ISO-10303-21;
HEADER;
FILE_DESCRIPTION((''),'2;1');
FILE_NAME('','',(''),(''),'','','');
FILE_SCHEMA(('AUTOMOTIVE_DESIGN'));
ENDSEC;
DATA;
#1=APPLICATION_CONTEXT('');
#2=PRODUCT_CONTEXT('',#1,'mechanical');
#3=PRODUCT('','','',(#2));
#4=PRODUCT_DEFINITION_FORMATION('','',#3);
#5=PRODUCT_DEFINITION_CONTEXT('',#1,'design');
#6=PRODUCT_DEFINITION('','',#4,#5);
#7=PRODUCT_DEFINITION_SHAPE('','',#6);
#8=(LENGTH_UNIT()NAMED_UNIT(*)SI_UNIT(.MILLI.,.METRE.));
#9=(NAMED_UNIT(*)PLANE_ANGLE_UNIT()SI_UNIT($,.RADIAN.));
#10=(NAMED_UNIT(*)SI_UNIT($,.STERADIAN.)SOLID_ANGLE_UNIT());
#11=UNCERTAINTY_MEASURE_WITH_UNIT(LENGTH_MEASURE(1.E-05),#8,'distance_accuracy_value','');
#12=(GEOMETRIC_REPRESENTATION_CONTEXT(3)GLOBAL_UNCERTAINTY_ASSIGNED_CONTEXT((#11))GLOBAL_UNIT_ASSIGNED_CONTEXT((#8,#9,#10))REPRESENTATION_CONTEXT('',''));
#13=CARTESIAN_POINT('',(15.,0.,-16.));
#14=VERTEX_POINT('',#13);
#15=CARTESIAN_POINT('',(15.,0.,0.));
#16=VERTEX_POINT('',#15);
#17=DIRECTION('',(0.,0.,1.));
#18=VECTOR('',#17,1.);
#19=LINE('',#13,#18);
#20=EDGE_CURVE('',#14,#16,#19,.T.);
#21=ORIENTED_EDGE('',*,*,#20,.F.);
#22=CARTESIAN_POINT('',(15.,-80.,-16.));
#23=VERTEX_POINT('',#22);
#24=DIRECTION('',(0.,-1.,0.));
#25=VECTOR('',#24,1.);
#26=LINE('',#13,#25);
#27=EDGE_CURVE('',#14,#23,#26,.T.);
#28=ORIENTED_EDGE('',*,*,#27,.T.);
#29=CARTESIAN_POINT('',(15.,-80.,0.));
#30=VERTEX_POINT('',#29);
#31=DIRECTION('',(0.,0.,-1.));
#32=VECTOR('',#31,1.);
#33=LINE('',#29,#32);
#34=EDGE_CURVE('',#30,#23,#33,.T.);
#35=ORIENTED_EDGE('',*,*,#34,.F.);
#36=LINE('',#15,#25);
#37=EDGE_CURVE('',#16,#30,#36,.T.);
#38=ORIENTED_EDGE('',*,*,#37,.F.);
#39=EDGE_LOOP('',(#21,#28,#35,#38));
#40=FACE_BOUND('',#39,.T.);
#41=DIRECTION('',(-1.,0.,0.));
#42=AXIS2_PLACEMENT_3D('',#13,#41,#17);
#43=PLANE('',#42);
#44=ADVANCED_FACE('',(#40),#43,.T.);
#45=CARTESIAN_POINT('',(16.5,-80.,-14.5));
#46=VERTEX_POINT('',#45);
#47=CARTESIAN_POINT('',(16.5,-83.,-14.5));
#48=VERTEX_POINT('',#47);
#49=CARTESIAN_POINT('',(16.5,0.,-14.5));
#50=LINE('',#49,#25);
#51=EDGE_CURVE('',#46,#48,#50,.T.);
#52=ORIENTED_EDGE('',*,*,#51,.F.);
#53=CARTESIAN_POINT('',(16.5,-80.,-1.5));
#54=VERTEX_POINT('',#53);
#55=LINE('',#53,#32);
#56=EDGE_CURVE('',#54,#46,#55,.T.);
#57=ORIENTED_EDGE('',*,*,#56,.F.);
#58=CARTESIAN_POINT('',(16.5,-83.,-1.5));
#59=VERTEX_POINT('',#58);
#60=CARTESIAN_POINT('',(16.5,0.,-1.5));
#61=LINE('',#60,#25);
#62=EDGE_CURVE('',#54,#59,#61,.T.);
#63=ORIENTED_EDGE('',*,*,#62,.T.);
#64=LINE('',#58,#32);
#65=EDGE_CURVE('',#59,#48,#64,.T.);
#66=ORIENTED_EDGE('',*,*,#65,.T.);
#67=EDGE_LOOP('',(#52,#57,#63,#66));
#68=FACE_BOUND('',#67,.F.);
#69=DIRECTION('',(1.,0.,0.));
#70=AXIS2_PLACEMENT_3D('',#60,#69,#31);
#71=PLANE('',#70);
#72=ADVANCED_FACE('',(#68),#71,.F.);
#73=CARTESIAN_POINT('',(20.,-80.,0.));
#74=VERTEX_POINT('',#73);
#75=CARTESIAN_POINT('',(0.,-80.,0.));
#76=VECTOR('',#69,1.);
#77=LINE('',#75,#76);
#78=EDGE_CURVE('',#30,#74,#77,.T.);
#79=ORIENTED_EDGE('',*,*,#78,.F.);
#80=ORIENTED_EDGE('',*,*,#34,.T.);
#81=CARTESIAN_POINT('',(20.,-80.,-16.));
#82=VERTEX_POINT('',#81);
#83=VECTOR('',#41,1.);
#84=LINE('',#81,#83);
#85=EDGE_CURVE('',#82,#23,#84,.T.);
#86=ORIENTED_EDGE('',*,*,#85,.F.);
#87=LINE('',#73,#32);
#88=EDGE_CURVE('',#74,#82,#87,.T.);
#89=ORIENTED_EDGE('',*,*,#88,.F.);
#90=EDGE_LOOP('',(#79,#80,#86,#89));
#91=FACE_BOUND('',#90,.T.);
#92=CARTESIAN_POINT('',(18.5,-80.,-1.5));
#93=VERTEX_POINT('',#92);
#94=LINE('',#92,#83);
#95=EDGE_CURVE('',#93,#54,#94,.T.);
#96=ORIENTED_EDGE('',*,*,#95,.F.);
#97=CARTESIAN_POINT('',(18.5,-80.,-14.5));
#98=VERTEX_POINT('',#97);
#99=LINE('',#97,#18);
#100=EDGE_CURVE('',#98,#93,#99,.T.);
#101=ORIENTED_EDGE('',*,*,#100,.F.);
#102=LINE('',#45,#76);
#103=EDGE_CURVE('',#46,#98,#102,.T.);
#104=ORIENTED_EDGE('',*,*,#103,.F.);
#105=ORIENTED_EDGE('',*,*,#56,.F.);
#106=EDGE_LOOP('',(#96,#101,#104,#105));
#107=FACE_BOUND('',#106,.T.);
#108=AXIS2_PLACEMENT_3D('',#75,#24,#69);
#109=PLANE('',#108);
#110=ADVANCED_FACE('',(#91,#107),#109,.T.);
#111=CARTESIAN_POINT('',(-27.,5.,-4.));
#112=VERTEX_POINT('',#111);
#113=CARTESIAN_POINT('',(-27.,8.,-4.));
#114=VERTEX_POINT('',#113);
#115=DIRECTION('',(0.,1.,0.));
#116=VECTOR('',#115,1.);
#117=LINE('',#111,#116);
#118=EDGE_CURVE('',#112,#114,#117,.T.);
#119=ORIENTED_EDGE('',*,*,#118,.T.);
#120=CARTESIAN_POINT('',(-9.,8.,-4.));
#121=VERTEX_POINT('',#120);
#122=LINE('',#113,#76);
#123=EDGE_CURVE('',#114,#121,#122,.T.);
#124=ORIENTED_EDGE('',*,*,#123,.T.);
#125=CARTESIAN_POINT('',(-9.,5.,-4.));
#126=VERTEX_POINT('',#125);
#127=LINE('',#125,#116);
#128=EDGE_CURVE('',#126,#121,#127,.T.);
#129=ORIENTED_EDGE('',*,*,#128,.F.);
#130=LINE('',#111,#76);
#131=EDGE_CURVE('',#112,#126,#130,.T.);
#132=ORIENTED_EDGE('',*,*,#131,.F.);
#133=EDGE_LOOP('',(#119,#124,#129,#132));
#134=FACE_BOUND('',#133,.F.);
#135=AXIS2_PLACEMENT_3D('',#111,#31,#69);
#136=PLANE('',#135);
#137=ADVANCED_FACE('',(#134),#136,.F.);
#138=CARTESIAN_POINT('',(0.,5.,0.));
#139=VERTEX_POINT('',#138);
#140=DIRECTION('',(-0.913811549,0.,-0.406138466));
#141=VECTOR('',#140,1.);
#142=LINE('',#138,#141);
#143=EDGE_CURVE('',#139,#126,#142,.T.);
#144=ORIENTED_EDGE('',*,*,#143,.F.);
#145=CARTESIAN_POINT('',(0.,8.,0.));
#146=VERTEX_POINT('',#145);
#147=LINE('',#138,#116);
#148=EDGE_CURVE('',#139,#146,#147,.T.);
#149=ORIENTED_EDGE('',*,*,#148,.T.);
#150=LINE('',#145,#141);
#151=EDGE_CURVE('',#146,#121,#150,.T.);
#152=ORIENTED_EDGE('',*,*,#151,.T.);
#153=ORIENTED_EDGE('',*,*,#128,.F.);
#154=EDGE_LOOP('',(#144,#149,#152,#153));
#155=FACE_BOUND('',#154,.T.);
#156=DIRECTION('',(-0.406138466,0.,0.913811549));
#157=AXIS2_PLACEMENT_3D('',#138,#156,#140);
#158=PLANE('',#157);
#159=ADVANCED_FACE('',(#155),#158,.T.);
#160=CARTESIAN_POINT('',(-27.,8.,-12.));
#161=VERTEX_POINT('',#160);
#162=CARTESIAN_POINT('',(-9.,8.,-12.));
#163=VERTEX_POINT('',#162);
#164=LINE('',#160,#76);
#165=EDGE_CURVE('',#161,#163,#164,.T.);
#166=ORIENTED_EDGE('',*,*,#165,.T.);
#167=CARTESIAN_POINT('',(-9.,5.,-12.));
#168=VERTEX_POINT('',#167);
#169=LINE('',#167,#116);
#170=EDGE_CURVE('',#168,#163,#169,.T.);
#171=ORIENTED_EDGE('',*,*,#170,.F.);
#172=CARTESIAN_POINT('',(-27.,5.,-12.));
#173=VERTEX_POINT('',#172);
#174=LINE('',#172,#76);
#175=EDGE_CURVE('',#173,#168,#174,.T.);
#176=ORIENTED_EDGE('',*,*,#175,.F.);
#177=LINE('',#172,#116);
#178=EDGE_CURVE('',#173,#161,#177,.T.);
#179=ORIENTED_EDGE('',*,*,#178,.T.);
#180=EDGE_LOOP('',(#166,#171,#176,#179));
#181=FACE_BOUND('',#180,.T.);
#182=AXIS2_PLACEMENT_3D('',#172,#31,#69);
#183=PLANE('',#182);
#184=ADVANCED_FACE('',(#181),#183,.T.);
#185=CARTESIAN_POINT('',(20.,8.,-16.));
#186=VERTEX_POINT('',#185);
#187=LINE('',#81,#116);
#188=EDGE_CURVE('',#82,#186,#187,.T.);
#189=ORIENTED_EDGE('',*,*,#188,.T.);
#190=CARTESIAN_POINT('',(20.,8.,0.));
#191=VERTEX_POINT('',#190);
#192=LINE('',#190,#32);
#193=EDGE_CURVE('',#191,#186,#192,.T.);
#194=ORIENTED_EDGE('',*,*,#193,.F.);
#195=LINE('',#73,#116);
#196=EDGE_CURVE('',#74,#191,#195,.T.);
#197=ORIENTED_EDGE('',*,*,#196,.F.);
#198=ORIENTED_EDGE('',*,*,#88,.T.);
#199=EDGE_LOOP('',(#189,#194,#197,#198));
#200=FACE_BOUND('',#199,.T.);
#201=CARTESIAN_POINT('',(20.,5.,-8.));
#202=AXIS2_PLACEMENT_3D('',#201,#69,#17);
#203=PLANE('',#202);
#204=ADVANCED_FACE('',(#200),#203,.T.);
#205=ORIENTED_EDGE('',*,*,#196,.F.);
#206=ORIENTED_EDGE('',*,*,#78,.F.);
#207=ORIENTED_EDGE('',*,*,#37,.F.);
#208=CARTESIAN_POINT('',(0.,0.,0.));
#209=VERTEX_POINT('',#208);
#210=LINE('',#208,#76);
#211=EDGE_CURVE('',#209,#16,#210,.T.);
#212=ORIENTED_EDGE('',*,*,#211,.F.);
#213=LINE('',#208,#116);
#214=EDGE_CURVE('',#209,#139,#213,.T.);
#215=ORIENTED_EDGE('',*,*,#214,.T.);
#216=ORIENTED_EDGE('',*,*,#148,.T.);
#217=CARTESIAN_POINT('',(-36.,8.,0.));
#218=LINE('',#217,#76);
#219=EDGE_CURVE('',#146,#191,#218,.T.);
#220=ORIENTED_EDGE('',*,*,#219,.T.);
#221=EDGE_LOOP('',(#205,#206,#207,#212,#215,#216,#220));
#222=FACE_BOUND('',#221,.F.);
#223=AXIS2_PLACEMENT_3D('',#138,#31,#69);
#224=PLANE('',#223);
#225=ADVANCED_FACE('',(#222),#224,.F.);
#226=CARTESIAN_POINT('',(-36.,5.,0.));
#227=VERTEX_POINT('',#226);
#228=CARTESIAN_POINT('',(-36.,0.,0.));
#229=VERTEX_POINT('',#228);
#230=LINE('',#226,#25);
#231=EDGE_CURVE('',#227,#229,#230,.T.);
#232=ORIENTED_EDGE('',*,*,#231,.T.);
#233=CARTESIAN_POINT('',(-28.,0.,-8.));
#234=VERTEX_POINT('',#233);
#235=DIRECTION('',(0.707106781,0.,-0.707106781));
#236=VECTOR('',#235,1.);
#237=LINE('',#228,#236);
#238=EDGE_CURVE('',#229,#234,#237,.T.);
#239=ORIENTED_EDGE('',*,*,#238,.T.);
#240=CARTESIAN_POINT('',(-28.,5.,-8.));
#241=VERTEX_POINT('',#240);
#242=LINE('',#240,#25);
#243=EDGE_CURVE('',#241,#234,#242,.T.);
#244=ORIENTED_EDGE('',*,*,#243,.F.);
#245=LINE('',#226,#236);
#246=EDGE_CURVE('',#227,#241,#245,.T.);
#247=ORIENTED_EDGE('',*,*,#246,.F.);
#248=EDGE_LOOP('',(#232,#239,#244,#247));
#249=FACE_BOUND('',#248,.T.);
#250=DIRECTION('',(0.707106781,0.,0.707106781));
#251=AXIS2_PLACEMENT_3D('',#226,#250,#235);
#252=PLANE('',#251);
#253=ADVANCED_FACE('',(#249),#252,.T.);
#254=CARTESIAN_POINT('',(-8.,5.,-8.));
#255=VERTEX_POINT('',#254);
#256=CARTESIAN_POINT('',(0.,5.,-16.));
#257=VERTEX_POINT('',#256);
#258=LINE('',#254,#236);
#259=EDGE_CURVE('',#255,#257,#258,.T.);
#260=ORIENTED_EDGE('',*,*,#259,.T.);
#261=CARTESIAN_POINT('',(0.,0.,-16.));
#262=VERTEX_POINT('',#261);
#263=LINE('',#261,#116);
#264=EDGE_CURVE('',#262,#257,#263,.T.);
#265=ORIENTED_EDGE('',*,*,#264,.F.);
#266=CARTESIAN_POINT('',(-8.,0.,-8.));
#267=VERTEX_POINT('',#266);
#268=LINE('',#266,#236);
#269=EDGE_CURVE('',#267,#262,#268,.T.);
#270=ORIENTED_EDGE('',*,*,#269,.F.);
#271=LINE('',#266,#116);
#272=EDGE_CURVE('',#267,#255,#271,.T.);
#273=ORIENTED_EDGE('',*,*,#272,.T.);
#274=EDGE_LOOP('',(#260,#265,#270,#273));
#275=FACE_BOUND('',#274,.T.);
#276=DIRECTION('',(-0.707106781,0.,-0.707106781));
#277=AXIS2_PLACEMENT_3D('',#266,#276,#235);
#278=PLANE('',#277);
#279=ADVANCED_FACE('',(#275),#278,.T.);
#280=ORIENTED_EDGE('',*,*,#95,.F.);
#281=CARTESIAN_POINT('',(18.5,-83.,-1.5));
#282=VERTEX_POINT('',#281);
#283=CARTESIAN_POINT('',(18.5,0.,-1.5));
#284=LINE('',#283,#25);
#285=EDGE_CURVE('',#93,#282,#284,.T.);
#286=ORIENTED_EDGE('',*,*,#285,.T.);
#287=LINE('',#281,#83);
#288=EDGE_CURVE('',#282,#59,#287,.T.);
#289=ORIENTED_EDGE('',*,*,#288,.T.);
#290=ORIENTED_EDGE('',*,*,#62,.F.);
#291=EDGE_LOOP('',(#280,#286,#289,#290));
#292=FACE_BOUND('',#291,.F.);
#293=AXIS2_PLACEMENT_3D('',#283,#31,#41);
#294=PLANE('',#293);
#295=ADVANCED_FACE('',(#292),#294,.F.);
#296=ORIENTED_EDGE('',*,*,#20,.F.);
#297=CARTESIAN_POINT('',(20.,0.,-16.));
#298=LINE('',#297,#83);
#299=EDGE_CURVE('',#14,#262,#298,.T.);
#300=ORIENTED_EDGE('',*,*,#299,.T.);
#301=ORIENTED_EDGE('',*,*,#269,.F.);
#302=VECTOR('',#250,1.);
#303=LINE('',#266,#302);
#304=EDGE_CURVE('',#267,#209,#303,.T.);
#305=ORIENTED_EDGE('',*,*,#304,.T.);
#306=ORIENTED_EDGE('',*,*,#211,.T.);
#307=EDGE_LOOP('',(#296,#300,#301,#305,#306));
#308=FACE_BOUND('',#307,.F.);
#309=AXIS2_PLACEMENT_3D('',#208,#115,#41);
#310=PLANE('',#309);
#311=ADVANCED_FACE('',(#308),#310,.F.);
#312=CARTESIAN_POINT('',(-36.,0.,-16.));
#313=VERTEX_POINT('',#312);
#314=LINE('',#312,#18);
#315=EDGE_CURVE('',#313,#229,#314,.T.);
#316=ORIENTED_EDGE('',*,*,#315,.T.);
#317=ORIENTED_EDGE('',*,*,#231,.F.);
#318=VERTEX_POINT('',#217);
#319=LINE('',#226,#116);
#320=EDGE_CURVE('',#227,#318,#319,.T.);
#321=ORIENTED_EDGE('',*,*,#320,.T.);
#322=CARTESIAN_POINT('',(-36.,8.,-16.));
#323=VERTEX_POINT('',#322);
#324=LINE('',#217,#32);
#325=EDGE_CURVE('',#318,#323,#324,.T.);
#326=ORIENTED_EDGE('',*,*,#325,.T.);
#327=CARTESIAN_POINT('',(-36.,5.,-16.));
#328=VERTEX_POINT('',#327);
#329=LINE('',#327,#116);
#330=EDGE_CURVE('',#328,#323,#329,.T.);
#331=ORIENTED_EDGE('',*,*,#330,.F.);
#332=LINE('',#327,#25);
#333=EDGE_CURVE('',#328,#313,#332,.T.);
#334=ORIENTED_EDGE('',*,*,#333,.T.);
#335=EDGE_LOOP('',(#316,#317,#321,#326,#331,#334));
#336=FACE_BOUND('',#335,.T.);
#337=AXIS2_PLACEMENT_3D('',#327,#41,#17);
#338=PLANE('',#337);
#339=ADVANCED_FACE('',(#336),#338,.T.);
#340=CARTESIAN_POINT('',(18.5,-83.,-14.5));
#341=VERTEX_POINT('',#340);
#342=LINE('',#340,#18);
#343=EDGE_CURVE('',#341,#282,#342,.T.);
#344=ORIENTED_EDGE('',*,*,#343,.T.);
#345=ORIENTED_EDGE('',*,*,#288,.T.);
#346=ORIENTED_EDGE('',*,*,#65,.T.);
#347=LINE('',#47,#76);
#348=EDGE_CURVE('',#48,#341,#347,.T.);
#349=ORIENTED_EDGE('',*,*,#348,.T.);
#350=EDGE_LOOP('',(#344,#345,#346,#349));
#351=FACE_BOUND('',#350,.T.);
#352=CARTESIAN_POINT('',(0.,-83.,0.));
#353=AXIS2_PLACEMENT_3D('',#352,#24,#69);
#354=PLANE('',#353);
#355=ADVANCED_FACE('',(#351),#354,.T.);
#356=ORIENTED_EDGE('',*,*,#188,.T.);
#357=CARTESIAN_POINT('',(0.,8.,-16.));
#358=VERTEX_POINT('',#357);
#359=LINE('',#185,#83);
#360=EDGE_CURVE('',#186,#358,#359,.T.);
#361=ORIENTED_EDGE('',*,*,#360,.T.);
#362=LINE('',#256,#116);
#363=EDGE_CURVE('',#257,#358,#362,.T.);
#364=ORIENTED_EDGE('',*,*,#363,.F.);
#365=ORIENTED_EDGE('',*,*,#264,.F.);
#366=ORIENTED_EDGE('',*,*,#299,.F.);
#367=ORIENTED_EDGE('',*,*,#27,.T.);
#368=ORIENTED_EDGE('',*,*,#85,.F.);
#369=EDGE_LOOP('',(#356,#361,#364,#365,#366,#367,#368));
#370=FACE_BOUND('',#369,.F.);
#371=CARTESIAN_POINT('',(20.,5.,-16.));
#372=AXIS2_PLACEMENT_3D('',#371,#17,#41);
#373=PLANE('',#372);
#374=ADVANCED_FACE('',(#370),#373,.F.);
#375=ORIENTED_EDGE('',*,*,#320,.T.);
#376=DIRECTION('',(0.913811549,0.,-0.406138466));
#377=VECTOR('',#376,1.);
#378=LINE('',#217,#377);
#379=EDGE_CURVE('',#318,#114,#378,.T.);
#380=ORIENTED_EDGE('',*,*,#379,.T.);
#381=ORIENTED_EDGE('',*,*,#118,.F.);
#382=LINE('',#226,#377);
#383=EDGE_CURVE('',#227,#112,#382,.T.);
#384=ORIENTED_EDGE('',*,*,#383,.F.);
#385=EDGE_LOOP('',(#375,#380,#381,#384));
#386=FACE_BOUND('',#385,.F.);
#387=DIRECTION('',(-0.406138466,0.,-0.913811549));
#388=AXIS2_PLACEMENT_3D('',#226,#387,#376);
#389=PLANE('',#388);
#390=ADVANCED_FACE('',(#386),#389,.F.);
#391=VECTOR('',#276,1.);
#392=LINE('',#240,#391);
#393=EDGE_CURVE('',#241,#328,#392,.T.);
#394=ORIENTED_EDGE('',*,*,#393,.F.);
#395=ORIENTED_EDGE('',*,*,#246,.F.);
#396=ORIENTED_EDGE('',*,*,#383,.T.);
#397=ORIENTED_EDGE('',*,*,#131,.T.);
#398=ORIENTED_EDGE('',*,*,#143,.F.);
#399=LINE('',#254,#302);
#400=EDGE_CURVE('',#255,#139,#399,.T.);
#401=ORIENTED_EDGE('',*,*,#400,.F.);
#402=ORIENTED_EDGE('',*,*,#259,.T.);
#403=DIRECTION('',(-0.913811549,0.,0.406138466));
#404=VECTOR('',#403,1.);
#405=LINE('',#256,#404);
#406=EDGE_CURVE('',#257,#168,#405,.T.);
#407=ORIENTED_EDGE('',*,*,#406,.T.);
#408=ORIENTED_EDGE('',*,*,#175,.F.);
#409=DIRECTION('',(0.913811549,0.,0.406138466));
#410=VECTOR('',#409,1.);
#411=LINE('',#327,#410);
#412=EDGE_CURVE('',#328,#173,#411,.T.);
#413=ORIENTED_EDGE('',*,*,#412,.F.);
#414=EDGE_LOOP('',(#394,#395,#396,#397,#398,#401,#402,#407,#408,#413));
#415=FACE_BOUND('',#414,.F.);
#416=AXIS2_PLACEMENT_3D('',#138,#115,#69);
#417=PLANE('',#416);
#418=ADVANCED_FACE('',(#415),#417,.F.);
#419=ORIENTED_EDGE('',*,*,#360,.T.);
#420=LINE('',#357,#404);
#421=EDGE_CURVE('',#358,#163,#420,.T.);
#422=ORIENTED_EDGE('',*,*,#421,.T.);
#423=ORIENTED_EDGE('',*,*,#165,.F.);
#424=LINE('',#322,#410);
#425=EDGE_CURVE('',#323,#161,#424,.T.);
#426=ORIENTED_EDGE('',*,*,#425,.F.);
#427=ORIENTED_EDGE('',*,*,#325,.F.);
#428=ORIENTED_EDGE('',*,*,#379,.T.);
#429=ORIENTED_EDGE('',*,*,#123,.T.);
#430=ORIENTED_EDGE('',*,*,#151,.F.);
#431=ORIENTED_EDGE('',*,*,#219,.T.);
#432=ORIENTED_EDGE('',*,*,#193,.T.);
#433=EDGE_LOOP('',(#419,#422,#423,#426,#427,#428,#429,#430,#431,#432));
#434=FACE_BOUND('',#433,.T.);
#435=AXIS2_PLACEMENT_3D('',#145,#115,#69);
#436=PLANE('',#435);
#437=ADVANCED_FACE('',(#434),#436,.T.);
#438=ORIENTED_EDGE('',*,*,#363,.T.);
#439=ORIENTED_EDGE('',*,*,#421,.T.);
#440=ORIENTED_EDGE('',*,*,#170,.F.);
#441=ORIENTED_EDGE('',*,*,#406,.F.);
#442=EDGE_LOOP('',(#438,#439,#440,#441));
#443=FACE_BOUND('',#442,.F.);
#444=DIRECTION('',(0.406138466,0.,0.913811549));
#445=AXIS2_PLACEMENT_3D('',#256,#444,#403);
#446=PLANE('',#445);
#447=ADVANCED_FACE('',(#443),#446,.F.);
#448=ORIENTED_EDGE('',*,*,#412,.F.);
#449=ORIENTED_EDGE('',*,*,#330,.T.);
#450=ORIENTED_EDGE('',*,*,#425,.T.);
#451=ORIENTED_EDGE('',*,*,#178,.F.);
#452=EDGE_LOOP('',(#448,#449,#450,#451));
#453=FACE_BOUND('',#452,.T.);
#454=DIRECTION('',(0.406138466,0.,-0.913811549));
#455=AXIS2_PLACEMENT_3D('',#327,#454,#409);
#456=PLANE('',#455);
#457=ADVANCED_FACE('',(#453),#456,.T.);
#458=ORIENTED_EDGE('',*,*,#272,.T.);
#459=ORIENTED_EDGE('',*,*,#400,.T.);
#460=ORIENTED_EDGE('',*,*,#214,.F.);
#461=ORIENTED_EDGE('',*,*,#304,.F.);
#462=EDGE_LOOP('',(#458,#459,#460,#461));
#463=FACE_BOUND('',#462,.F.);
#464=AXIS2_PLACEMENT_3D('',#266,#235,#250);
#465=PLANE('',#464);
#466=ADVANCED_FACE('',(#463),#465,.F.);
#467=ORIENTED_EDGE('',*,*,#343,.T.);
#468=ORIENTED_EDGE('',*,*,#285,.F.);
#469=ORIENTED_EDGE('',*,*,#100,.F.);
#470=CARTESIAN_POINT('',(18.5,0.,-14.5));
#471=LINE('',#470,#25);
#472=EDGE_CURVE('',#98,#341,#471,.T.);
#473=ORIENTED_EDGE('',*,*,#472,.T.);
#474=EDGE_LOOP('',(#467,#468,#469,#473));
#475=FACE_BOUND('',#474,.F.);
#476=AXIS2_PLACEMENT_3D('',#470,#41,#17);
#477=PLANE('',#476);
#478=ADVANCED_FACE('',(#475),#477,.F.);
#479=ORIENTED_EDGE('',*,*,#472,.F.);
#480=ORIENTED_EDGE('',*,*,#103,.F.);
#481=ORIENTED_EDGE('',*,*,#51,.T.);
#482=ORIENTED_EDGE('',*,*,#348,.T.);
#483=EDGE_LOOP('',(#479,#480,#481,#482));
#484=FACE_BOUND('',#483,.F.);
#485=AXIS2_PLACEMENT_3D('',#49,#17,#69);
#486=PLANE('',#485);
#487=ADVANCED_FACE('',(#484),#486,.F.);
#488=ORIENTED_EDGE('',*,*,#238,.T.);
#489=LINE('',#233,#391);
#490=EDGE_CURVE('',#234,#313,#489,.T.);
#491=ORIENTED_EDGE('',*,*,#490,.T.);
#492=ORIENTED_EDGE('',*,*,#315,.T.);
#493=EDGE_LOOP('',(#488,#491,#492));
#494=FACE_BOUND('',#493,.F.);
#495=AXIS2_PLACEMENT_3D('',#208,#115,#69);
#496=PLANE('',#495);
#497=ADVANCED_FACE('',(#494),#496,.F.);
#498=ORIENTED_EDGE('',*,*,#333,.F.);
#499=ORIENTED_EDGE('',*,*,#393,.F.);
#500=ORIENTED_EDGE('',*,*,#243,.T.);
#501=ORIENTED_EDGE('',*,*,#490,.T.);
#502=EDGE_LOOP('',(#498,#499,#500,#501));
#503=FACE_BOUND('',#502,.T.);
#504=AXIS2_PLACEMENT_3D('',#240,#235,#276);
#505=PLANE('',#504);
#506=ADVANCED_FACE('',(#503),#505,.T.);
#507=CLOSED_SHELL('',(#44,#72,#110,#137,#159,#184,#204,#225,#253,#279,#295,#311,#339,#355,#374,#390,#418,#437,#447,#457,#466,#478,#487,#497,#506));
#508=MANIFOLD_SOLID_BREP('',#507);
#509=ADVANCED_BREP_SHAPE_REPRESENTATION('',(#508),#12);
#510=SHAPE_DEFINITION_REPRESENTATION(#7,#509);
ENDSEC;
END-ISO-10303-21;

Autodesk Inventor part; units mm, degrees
ref_plane "YZ Plane" through (0, 0, 0) normal (1, 0, 0) x (0, 1, 0)
ref_plane "XZ Plane" through (0, 0, 0) normal (0, 1, 0) x (-1, 0, 0)
ref_plane "XY Plane" through (0, 0, 0) normal (0, 0, 1) x (1, 0, 0)
sketch "Sketch1" plane through (0, 0, 0) normal (0, 1, 0) x (-1, 0, 0)
  line L0 (0, 0) -> (0, -16)
  line L1 (8, -8) -> (0, 0)
  line L2 (8, -8) -> (0, -16)
  line L3 (0, 0) -> (-20, 0)
  line L4 (-20, 0) -> (-20, -16)
  line L5 (-20, -16) -> (0, -16)
  dimension "d0" = 16
  dimension "d2" = 20
extrude "Extrusion1" add sketch "Sketch1" along normal blind 5
sketch "Sketch2" plane through (0, 0, 0) normal (0, -1, 0) x (1, 0, 0)
  line L0 (20, -16) -> (0, -16) projected
  line L1 (20, -16) -> (15, -16)
  line L2 (15, -16) -> (15, 0)
  line L3 (0, 0) -> (20, 0) projected
  line L4 (20, 0) -> (20, -16) projected
  line L5 (20, 0) -> (20, -16)
  line L6 (20, -16) -> (18.5, -16)
  line L7 (15, -16) -> (15, -14.5)
  line L8 (15, -16) -> (16.5, -16)
  line L9 (16.5, -14.5) -> (18.5, -14.5)
  line L10 (18.5, -14.5) -> (18.5, -1.5)
  line L11 (18.5, -1.5) -> (16.5, -1.5)
  line L12 (16.5, -1.5) -> (16.5, -14.5)
  dimension "d5" = 5
  dimension "d8" = 1.5
  dimension "d9" = 1.5
  dimension "d11" = 13
extrude "Extrusion2" add sketch "Sketch2" along normal blind 80
extrude "Extrusion3" add sketch "Sketch2" along normal blind 83 contours L12 L11 L10 L9
sketch "Sketch3" plane through (0, 5, 0) normal (0, 1, 0) x (1, 0, 0)
  line L0 (0, 0) -> (20, 0) projected
  line L1 (20, 16) -> (0, 16) projected
  line L2 (0, 0) -> (0, 16)
  line L3 (0, 16) -> (-8, 8) projected
  line L4 (0, 16) -> (-8, 8)
  line L5 (-8, 8) -> (0, 0)
  line L6 (0, 0) -> (-36, 0)
  line L7 (-36, 0) -> (-28, 8)
  line L8 (-28, 8) -> (-36, 16)
  line L9 (-36, 16) -> (0, 16)
  line L10 (-36, 16) -> (-36, 0)
  dimension "d14" = 36
  dimension "d15" = 45
extrude "Extrusion4" add sketch "Sketch3" against normal blind 5 contours L10 L8 L7
sketch "Sketch4" plane through (0, 5, 0) normal (0, 1, 0) x (1, 0, 0)
  line L0 (-28, 8) -> (-36, 0) projected
  line L1 (20, 16) -> (20, 0) projected
  line L2 (-36, 0) -> (20, 0)
  line L3 (20, 0) -> (20, 16)
  line L4 (20, 16) -> (-36, 16)
  line L5 (-36, 16) -> (-36, 0)
  line L6 (-36, 8) -> (20, 8)
  line L7 (-28, 8) -> (-8, 8)
  line L8 (-36, 16) -> (-18, 8)
  line L9 (-36, 0) -> (-18, 8)
  line L10 (0, 0) -> (-18, 8)
  line L11 (0, 16) -> (-8, 8) projected
  line L12 (0, 16) -> (-18, 8)
  line L13 (-27, 12) -> (-9, 12)
  line L14 (-27, 4) -> (-9, 4)
extrude "Extrusion5" add sketch "Sketch4" along normal blind 3 contours L6 L9 L0 | L0 L5 L6 | L6 L5 L8 | L12 L11 L6 | L10 L14 L9 | L6 L1 L2 L10 | L8 L13 L12 | L11 L4 L1 L6
sketch "Sketch5" plane through (0, -80, 0) normal (0, -1, 0) x (1, 0, 0)
  line L0 (15, -16) -> (20, -16) projected
  line L1 (15, -16) -> (15, 0) projected
  line L2 (20, -16) -> (15, -16)
  line L3 (15, -16) -> (15, 0)
  line L4 (15, 0) -> (20, 0)
  line L5 (20, 0) -> (20, -16)
  line L6 (18.5, -14.5) -> (16.5, -14.5) projected
  line L7 (20, -16) -> (18.5, -16)
  line L8 (18.5, -16) -> (18.5, -14.5)
  line L9 (18.5, -14.5) -> (20, -14.5)
  line L10 (20, -14.5) -> (20, -16)
  line L11 (18.5, -1.5) -> (18.5, -14.5) projected
  line L12 (18.5, -14.5) -> (16.5, -14.5)
  line L13 (16.5, -14.5) -> (16.5, -1.5)
  line L14 (16.5, -1.5) -> (18.5, -1.5)
  line L15 (18.5, -1.5) -> (18.5, -14.5)
  point P0 (0, 0)
properties part number "Connecting pt.1"
